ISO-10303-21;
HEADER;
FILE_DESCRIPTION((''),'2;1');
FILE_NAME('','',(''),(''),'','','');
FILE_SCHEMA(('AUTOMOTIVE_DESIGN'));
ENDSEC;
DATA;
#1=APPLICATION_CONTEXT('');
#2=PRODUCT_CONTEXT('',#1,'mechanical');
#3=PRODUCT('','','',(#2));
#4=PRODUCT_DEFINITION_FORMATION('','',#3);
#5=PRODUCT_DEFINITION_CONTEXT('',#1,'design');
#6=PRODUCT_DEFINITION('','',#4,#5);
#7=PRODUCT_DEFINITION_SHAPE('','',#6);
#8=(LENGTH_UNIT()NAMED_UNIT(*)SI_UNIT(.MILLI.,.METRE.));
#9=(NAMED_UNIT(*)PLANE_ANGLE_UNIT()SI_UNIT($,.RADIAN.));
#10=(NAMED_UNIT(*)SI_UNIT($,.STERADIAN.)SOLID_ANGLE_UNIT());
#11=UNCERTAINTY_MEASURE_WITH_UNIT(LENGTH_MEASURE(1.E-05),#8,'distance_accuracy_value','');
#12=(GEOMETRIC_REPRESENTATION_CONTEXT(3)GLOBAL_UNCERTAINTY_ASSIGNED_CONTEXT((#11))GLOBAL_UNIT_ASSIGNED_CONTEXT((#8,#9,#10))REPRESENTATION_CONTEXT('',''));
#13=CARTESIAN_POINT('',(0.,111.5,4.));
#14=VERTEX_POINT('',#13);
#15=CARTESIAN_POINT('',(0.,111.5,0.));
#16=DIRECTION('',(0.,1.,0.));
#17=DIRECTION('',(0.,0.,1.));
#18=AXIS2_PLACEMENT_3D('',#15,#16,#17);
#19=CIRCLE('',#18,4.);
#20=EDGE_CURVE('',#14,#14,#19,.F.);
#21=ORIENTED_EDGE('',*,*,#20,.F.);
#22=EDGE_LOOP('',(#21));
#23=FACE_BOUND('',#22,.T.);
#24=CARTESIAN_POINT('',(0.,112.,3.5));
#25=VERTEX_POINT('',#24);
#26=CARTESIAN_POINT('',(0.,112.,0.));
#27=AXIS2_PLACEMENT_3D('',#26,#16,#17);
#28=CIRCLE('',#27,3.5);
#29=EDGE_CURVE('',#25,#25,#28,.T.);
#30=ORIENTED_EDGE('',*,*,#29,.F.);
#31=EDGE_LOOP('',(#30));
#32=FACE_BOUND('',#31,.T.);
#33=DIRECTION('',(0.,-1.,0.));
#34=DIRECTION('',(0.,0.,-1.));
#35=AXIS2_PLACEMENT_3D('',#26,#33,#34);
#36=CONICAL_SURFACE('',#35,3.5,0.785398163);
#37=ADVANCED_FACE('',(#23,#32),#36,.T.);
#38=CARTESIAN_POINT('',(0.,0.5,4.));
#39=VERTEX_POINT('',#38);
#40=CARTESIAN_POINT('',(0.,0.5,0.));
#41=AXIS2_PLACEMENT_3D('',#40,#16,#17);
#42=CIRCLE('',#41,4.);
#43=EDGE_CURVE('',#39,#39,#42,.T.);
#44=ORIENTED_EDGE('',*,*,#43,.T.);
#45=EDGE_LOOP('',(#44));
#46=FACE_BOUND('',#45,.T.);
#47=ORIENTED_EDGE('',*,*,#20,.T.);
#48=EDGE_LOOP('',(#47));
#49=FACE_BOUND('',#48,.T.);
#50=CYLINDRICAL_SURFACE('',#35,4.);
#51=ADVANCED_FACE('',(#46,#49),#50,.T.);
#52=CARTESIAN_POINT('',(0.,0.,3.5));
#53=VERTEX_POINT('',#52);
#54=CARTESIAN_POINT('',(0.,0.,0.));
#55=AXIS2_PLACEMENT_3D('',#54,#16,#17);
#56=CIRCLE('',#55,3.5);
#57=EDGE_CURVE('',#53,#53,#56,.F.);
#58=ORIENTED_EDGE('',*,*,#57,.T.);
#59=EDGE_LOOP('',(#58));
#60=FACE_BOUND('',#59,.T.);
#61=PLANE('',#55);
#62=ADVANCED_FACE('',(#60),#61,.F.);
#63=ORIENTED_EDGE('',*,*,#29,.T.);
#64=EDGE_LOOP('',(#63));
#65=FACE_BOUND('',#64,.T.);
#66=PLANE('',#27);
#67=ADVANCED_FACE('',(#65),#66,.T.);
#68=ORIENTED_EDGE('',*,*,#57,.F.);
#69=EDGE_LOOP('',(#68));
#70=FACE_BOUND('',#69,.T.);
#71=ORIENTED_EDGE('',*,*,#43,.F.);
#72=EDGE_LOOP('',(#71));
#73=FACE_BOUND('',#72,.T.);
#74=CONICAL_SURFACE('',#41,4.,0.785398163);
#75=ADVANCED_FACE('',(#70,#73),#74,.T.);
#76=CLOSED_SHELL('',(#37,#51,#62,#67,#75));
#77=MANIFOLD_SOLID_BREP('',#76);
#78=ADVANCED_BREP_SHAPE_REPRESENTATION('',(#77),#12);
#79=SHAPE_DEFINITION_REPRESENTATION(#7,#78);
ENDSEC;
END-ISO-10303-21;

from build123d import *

# Parameters (mm, degrees)
SKETCH1_R           = 4
BOSS_EXTRUDE1_DEPTH = 112
CHAMFER1_SIZE       = 0.5


with BuildPart() as part:
    # Sketch1 → Boss-Extrude1 (new body)
    with BuildSketch(Plane(origin=(0, 0, 0), x_dir=(1, 0, 0), z_dir=(0, 1, 0))):
        Circle(SKETCH1_R)
    extrude(amount=BOSS_EXTRUDE1_DEPTH)

    # Chamfer1
    chamfer1_edges = [part.edges().sort_by_distance(p)[0] for p in [
        (-4, 0, 0),
        (-4, 112, 0),
    ]]
    chamfer(chamfer1_edges, length=CHAMFER1_SIZE)


solid = part.part
